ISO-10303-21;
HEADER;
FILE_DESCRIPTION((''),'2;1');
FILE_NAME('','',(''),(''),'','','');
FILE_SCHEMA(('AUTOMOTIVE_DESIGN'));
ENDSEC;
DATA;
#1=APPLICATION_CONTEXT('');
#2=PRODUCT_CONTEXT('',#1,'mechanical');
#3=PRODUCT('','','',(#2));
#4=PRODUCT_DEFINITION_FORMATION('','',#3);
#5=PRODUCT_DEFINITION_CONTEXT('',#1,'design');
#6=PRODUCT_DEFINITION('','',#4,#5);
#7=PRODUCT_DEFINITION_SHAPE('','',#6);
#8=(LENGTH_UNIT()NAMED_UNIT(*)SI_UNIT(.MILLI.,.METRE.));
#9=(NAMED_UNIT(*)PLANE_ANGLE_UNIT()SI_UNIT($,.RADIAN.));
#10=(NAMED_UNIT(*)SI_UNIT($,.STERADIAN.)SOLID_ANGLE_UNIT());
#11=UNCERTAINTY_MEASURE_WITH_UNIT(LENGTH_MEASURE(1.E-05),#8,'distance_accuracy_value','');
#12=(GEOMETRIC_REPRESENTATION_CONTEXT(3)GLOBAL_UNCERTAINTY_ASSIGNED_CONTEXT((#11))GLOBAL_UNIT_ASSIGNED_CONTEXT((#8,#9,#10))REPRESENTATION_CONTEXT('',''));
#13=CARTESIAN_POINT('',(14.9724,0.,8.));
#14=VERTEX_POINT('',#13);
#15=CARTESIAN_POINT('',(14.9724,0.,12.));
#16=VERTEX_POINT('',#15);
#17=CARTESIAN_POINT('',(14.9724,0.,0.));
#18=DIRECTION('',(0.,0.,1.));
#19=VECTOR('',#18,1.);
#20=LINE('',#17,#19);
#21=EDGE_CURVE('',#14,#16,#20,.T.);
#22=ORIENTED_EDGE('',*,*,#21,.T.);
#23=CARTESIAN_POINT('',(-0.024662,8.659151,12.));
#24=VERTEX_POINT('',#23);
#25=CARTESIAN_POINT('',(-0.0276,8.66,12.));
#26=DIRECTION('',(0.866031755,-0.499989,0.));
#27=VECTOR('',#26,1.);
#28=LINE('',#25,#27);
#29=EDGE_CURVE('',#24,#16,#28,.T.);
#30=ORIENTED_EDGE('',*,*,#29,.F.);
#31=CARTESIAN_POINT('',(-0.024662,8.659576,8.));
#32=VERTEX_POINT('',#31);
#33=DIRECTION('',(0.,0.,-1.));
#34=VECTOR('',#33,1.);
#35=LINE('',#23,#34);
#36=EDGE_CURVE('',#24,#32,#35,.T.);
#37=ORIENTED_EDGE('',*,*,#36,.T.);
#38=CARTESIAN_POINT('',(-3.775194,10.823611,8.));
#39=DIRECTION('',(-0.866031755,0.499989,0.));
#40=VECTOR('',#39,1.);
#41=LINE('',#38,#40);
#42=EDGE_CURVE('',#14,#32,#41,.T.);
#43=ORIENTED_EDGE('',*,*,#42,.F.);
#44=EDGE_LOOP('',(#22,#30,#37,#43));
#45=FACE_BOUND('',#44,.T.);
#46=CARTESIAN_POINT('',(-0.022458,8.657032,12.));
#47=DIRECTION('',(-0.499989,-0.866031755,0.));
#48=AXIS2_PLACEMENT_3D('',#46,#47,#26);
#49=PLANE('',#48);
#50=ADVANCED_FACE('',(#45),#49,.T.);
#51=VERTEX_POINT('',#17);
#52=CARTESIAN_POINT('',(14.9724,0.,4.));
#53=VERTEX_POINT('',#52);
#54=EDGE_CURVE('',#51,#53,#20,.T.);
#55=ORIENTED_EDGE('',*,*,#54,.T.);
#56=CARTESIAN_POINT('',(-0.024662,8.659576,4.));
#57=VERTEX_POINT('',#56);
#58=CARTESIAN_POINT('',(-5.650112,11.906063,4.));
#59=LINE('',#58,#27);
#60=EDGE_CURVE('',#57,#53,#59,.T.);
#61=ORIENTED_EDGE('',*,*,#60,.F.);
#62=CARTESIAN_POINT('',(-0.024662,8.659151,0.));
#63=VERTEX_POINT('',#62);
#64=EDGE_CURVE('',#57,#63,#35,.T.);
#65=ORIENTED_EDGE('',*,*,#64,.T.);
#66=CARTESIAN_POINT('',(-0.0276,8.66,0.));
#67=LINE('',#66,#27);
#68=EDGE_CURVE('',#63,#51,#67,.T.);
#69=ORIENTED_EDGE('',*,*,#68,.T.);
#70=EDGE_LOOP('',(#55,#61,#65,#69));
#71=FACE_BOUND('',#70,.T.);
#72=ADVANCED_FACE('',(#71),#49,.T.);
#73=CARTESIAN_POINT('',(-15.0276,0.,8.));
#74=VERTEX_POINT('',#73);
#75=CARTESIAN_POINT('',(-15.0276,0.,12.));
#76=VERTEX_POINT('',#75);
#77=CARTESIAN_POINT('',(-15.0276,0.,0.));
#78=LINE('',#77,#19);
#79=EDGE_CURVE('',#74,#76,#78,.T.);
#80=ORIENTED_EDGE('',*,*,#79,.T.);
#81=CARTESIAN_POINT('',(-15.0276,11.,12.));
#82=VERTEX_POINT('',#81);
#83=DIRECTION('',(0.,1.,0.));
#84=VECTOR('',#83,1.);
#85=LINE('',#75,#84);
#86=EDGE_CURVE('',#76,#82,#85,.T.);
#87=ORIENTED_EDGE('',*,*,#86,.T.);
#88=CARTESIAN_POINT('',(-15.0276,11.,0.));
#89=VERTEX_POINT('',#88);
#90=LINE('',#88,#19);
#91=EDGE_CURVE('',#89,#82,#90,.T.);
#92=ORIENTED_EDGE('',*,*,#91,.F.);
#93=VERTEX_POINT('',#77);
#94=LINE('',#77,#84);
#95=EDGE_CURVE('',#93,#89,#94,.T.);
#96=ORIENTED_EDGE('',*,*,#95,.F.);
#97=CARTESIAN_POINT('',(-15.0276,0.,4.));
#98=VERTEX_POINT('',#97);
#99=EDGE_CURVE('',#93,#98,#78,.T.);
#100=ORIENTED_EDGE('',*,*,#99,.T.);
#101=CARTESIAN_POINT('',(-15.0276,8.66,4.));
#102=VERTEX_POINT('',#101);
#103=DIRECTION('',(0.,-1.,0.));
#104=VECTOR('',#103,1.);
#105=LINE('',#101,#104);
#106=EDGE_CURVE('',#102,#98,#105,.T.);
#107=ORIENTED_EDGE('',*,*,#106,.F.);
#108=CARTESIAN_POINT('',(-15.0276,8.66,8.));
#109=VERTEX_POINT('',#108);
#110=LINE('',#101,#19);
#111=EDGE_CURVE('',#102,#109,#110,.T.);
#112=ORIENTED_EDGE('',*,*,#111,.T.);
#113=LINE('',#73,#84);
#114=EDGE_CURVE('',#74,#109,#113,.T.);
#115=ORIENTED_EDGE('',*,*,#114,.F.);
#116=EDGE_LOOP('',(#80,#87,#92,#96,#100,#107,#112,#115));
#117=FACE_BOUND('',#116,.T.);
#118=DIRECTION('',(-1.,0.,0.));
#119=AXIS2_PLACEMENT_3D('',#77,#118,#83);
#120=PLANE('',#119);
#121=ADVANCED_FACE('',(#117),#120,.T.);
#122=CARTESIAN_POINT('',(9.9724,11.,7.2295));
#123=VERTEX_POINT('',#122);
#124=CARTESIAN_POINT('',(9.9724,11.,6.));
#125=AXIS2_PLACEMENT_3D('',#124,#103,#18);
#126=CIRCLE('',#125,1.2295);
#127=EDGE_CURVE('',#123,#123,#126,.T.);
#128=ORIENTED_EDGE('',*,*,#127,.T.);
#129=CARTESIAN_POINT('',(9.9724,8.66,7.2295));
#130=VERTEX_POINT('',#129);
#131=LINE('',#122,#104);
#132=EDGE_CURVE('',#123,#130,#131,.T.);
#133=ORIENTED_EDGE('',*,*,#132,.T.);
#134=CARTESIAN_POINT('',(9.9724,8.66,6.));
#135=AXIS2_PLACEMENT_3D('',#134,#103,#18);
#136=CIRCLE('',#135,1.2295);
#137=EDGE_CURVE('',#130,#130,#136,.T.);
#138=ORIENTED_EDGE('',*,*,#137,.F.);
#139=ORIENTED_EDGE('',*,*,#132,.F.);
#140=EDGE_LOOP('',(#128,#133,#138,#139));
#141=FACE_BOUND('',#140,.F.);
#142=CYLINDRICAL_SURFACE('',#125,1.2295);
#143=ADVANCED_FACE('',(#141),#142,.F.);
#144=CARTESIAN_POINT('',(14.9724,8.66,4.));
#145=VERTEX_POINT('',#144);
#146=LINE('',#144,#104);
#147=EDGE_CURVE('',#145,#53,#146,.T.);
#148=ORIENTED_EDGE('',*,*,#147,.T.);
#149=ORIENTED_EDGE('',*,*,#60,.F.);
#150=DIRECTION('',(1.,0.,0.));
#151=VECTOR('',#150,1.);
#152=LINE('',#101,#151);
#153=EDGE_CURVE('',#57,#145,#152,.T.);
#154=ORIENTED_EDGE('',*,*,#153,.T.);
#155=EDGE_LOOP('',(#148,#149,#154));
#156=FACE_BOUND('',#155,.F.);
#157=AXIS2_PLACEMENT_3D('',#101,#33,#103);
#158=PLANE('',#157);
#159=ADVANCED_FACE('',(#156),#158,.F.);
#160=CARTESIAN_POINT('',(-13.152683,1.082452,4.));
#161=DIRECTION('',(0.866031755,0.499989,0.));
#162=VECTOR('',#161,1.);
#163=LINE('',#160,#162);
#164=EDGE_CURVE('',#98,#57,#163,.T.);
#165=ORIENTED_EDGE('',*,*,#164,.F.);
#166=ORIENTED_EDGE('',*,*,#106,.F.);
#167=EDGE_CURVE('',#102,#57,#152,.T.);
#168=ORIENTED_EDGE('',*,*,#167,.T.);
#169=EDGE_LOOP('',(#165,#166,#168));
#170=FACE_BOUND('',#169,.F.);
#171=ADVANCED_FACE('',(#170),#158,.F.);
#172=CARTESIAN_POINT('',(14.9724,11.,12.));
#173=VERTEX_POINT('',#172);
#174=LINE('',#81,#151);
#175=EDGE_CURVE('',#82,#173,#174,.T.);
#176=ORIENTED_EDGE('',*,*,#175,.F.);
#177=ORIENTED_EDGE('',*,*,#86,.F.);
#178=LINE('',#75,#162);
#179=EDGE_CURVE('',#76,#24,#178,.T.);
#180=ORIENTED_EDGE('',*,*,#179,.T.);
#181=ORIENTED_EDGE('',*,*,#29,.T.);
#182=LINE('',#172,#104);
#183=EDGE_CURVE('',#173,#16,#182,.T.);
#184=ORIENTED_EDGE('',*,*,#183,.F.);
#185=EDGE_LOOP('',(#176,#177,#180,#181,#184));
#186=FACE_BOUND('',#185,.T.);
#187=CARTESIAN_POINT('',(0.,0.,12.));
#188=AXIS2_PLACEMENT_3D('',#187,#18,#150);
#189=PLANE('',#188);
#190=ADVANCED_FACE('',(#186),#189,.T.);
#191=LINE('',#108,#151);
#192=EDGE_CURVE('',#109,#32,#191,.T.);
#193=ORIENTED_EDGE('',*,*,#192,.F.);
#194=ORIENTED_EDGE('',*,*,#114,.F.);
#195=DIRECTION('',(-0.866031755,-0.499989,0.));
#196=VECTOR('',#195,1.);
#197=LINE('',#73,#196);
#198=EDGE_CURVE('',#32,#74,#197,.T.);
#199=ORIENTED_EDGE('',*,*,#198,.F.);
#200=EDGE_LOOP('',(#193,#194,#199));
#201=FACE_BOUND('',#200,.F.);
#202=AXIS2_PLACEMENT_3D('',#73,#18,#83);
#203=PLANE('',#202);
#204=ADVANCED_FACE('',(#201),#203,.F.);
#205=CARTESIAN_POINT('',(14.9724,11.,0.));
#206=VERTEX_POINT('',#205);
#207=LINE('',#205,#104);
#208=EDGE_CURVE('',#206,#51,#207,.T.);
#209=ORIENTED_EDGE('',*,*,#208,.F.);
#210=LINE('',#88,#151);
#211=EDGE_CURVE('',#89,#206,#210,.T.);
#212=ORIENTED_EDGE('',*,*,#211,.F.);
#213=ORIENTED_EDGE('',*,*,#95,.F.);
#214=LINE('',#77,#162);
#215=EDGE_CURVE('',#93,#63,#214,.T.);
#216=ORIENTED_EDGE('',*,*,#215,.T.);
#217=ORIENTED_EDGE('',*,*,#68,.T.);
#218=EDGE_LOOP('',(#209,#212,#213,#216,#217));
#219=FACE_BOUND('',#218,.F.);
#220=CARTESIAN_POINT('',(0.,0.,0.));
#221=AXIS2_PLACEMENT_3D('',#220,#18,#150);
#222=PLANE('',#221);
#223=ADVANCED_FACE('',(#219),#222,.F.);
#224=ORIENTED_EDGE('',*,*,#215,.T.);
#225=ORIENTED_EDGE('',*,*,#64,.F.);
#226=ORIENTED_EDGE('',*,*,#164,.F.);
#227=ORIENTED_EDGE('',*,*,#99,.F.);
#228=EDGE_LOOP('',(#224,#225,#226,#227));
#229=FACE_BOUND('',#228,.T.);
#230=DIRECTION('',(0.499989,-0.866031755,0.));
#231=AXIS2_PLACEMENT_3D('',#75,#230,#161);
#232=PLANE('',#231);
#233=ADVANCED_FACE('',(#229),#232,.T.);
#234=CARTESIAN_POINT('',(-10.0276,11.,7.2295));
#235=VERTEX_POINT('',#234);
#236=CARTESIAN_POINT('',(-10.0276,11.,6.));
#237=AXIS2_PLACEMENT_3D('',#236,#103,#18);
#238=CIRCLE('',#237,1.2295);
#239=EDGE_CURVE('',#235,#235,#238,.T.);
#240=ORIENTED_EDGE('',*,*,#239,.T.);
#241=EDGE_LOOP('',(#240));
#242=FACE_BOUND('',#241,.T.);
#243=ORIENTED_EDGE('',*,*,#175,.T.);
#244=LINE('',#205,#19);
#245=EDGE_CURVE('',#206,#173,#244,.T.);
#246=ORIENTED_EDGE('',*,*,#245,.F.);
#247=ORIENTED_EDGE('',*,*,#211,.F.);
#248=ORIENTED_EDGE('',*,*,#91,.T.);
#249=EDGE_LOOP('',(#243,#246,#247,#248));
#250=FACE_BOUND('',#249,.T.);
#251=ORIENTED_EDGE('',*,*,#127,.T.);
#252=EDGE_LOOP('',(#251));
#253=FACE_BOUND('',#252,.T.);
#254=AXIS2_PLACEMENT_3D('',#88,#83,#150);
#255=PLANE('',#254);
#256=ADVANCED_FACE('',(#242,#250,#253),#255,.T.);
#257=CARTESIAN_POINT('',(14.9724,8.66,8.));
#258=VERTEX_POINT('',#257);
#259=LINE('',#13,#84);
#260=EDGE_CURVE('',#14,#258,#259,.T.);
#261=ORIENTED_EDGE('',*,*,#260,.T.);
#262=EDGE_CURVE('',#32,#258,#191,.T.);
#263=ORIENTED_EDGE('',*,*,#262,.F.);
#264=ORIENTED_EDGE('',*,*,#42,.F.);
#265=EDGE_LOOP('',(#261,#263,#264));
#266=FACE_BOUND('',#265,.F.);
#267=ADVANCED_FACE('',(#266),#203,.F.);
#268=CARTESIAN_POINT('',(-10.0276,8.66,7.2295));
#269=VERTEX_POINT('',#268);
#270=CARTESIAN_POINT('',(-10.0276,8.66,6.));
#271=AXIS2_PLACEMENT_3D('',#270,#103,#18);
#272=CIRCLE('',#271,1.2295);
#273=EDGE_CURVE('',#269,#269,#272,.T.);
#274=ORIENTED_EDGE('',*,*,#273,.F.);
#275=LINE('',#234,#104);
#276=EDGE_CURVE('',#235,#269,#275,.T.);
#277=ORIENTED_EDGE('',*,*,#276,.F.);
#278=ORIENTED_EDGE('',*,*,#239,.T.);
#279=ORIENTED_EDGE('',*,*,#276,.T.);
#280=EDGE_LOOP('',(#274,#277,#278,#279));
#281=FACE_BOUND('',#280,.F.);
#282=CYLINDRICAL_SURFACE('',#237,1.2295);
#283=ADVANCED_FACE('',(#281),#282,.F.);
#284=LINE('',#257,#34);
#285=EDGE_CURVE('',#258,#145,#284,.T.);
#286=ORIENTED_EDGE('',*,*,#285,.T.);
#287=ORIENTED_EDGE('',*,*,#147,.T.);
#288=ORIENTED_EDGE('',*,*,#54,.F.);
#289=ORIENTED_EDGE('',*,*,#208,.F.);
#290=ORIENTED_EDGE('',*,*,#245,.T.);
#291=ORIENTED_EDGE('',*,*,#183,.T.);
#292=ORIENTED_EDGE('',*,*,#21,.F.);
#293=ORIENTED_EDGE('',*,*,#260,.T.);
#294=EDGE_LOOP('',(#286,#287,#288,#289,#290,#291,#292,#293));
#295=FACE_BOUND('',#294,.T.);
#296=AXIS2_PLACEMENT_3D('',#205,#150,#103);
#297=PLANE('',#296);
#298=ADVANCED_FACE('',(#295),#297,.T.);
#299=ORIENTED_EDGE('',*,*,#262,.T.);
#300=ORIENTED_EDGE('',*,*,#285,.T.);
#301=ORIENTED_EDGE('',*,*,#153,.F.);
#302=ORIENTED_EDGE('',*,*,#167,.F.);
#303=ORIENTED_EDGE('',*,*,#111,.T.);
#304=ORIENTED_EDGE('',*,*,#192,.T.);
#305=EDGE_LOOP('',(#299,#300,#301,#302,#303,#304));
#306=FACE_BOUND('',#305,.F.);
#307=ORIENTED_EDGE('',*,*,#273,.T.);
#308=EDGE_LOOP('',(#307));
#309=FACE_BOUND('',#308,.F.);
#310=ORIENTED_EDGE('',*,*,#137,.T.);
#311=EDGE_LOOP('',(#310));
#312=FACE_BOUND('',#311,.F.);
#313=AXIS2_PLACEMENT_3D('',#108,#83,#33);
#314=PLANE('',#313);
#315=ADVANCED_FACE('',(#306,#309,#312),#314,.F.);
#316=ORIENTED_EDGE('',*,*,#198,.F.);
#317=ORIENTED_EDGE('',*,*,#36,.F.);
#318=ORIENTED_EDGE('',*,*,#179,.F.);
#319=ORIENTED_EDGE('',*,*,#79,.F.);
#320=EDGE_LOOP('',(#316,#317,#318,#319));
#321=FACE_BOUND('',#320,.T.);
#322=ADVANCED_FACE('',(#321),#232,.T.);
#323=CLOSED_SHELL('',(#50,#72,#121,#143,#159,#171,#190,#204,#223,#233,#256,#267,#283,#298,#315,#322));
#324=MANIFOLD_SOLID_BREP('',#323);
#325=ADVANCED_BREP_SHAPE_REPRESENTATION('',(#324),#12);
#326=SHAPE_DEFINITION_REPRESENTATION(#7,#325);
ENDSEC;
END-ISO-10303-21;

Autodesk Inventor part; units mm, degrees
ref_plane "YZ Plane" through (0, 0, 0) normal (1, 0, 0) x (0, 1, 0)
ref_plane "XZ Plane" through (0, 0, 0) normal (0, 1, 0) x (-1, 0, 0)
ref_plane "XY Plane" through (0, 0, 0) normal (0, 0, 1) x (1, 0, 0)
sketch "Szkic1" plane through (0, 0, 0) normal (0, 0, 1) x (1, 0, 0)
  line L0 (-15.0276, 11) -> (14.9724, 11)
  line L1 (14.9724, 11) -> (14.9724, 0)
  line L2 (14.9724, 0) -> (-15.0276, 0)
  line L3 (-15.0276, 0) -> (-15.0276, 11)
  point P0 (0, 0)
  dimension "d0" = 30
  dimension "d1" = 11
extrude "Wyciągnięcie proste1" add sketch "Szkic1" along normal blind 12
sketch "Szkic2" plane through (0, 0, 12) normal (0, 0, 1) x (1, 0, 0)
  line L0 (14.9724, 11) -> (-15.0276, 11) projected
  line L1 (-0.0276, 11) -> (0, 0)
  line L2 (-15.0276, 11) -> (-15.0276, 0) projected
  line L3 (-15.0276, 0) -> (14.9724, 0) projected
  line L4 (-15.0276, 8.66) -> (14.9724, 8.66)
  line L5 (14.9724, 0) -> (14.9724, 11) projected
  line L6 (-15.0276, 0) -> (-0.0276, 8.66)
  line L7 (-0.0276, 8.66) -> (14.9724, 0)
  line L8 (14.9724, 0) -> (-15.0276, 0)
  dimension "d4" = 8.66
extrude "Wyciągnięcie proste2" cut sketch "Szkic2" against normal blind 12 contours L7 L3 L1 | L1 L3 L6
sketch "Szkic3" plane through (-15.0276, 11, 0) normal (-1, 0, 0) x (0, 0, 1)
  line L0 (12, -2.34) -> (0, -2.34) projected
  line L1 (0, 0) -> (12, 0) projected
  line L2 (6, 0) -> (6, -11)
  line L3 (0, -11) -> (12, -11) projected
  line L4 (8, -2.34) -> (4, -2.34)
  line L5 (4, -2.34) -> (4, -11)
  line L6 (4, -11) -> (8, -11)
  line L7 (8, -11) -> (8, -2.34)
  point P0 (4, -2.34)
  dimension "d7" = 4
extrude "Wyciągnięcie proste3" cut sketch "Szkic3" against normal blind 30
sketch "Szkic4" plane through (-15.0276, 11, 0) normal (0, 1, 0) x (1, 0, 0)
  line L0 (0, 0) -> (0, -12) projected
  line L1 (0, -6) -> (30, -6)
  line L2 (30, 0) -> (30, -12) projected
  line L3 (30, -12) -> (0, -12) projected
  line L4 (25, -12) -> (25, 0)
  line L5 (30, 0) -> (15, 0) projected
  line L6 (15, -12) -> (15, -8) projected
  line L7 (15, 0) -> (15, -12)
  line L8 (5, -12) -> (5, 0)
  point P0 (15.0276, 0)
  point P1 (5, -6)
  point P2 (25, -6)
  dimension "d10" = 5
hole "Otwór1" at (-10.0276, 11, 6) at (9.9724, 11, 6) direction (0, -1, 0) diameter 2.459 depth 8.8 tip angle 118 thread size "M3x0.5" class "6H" standard "ISO Metric profile"
properties part number "szczęka" material "Stal nierdzewna 440C"
